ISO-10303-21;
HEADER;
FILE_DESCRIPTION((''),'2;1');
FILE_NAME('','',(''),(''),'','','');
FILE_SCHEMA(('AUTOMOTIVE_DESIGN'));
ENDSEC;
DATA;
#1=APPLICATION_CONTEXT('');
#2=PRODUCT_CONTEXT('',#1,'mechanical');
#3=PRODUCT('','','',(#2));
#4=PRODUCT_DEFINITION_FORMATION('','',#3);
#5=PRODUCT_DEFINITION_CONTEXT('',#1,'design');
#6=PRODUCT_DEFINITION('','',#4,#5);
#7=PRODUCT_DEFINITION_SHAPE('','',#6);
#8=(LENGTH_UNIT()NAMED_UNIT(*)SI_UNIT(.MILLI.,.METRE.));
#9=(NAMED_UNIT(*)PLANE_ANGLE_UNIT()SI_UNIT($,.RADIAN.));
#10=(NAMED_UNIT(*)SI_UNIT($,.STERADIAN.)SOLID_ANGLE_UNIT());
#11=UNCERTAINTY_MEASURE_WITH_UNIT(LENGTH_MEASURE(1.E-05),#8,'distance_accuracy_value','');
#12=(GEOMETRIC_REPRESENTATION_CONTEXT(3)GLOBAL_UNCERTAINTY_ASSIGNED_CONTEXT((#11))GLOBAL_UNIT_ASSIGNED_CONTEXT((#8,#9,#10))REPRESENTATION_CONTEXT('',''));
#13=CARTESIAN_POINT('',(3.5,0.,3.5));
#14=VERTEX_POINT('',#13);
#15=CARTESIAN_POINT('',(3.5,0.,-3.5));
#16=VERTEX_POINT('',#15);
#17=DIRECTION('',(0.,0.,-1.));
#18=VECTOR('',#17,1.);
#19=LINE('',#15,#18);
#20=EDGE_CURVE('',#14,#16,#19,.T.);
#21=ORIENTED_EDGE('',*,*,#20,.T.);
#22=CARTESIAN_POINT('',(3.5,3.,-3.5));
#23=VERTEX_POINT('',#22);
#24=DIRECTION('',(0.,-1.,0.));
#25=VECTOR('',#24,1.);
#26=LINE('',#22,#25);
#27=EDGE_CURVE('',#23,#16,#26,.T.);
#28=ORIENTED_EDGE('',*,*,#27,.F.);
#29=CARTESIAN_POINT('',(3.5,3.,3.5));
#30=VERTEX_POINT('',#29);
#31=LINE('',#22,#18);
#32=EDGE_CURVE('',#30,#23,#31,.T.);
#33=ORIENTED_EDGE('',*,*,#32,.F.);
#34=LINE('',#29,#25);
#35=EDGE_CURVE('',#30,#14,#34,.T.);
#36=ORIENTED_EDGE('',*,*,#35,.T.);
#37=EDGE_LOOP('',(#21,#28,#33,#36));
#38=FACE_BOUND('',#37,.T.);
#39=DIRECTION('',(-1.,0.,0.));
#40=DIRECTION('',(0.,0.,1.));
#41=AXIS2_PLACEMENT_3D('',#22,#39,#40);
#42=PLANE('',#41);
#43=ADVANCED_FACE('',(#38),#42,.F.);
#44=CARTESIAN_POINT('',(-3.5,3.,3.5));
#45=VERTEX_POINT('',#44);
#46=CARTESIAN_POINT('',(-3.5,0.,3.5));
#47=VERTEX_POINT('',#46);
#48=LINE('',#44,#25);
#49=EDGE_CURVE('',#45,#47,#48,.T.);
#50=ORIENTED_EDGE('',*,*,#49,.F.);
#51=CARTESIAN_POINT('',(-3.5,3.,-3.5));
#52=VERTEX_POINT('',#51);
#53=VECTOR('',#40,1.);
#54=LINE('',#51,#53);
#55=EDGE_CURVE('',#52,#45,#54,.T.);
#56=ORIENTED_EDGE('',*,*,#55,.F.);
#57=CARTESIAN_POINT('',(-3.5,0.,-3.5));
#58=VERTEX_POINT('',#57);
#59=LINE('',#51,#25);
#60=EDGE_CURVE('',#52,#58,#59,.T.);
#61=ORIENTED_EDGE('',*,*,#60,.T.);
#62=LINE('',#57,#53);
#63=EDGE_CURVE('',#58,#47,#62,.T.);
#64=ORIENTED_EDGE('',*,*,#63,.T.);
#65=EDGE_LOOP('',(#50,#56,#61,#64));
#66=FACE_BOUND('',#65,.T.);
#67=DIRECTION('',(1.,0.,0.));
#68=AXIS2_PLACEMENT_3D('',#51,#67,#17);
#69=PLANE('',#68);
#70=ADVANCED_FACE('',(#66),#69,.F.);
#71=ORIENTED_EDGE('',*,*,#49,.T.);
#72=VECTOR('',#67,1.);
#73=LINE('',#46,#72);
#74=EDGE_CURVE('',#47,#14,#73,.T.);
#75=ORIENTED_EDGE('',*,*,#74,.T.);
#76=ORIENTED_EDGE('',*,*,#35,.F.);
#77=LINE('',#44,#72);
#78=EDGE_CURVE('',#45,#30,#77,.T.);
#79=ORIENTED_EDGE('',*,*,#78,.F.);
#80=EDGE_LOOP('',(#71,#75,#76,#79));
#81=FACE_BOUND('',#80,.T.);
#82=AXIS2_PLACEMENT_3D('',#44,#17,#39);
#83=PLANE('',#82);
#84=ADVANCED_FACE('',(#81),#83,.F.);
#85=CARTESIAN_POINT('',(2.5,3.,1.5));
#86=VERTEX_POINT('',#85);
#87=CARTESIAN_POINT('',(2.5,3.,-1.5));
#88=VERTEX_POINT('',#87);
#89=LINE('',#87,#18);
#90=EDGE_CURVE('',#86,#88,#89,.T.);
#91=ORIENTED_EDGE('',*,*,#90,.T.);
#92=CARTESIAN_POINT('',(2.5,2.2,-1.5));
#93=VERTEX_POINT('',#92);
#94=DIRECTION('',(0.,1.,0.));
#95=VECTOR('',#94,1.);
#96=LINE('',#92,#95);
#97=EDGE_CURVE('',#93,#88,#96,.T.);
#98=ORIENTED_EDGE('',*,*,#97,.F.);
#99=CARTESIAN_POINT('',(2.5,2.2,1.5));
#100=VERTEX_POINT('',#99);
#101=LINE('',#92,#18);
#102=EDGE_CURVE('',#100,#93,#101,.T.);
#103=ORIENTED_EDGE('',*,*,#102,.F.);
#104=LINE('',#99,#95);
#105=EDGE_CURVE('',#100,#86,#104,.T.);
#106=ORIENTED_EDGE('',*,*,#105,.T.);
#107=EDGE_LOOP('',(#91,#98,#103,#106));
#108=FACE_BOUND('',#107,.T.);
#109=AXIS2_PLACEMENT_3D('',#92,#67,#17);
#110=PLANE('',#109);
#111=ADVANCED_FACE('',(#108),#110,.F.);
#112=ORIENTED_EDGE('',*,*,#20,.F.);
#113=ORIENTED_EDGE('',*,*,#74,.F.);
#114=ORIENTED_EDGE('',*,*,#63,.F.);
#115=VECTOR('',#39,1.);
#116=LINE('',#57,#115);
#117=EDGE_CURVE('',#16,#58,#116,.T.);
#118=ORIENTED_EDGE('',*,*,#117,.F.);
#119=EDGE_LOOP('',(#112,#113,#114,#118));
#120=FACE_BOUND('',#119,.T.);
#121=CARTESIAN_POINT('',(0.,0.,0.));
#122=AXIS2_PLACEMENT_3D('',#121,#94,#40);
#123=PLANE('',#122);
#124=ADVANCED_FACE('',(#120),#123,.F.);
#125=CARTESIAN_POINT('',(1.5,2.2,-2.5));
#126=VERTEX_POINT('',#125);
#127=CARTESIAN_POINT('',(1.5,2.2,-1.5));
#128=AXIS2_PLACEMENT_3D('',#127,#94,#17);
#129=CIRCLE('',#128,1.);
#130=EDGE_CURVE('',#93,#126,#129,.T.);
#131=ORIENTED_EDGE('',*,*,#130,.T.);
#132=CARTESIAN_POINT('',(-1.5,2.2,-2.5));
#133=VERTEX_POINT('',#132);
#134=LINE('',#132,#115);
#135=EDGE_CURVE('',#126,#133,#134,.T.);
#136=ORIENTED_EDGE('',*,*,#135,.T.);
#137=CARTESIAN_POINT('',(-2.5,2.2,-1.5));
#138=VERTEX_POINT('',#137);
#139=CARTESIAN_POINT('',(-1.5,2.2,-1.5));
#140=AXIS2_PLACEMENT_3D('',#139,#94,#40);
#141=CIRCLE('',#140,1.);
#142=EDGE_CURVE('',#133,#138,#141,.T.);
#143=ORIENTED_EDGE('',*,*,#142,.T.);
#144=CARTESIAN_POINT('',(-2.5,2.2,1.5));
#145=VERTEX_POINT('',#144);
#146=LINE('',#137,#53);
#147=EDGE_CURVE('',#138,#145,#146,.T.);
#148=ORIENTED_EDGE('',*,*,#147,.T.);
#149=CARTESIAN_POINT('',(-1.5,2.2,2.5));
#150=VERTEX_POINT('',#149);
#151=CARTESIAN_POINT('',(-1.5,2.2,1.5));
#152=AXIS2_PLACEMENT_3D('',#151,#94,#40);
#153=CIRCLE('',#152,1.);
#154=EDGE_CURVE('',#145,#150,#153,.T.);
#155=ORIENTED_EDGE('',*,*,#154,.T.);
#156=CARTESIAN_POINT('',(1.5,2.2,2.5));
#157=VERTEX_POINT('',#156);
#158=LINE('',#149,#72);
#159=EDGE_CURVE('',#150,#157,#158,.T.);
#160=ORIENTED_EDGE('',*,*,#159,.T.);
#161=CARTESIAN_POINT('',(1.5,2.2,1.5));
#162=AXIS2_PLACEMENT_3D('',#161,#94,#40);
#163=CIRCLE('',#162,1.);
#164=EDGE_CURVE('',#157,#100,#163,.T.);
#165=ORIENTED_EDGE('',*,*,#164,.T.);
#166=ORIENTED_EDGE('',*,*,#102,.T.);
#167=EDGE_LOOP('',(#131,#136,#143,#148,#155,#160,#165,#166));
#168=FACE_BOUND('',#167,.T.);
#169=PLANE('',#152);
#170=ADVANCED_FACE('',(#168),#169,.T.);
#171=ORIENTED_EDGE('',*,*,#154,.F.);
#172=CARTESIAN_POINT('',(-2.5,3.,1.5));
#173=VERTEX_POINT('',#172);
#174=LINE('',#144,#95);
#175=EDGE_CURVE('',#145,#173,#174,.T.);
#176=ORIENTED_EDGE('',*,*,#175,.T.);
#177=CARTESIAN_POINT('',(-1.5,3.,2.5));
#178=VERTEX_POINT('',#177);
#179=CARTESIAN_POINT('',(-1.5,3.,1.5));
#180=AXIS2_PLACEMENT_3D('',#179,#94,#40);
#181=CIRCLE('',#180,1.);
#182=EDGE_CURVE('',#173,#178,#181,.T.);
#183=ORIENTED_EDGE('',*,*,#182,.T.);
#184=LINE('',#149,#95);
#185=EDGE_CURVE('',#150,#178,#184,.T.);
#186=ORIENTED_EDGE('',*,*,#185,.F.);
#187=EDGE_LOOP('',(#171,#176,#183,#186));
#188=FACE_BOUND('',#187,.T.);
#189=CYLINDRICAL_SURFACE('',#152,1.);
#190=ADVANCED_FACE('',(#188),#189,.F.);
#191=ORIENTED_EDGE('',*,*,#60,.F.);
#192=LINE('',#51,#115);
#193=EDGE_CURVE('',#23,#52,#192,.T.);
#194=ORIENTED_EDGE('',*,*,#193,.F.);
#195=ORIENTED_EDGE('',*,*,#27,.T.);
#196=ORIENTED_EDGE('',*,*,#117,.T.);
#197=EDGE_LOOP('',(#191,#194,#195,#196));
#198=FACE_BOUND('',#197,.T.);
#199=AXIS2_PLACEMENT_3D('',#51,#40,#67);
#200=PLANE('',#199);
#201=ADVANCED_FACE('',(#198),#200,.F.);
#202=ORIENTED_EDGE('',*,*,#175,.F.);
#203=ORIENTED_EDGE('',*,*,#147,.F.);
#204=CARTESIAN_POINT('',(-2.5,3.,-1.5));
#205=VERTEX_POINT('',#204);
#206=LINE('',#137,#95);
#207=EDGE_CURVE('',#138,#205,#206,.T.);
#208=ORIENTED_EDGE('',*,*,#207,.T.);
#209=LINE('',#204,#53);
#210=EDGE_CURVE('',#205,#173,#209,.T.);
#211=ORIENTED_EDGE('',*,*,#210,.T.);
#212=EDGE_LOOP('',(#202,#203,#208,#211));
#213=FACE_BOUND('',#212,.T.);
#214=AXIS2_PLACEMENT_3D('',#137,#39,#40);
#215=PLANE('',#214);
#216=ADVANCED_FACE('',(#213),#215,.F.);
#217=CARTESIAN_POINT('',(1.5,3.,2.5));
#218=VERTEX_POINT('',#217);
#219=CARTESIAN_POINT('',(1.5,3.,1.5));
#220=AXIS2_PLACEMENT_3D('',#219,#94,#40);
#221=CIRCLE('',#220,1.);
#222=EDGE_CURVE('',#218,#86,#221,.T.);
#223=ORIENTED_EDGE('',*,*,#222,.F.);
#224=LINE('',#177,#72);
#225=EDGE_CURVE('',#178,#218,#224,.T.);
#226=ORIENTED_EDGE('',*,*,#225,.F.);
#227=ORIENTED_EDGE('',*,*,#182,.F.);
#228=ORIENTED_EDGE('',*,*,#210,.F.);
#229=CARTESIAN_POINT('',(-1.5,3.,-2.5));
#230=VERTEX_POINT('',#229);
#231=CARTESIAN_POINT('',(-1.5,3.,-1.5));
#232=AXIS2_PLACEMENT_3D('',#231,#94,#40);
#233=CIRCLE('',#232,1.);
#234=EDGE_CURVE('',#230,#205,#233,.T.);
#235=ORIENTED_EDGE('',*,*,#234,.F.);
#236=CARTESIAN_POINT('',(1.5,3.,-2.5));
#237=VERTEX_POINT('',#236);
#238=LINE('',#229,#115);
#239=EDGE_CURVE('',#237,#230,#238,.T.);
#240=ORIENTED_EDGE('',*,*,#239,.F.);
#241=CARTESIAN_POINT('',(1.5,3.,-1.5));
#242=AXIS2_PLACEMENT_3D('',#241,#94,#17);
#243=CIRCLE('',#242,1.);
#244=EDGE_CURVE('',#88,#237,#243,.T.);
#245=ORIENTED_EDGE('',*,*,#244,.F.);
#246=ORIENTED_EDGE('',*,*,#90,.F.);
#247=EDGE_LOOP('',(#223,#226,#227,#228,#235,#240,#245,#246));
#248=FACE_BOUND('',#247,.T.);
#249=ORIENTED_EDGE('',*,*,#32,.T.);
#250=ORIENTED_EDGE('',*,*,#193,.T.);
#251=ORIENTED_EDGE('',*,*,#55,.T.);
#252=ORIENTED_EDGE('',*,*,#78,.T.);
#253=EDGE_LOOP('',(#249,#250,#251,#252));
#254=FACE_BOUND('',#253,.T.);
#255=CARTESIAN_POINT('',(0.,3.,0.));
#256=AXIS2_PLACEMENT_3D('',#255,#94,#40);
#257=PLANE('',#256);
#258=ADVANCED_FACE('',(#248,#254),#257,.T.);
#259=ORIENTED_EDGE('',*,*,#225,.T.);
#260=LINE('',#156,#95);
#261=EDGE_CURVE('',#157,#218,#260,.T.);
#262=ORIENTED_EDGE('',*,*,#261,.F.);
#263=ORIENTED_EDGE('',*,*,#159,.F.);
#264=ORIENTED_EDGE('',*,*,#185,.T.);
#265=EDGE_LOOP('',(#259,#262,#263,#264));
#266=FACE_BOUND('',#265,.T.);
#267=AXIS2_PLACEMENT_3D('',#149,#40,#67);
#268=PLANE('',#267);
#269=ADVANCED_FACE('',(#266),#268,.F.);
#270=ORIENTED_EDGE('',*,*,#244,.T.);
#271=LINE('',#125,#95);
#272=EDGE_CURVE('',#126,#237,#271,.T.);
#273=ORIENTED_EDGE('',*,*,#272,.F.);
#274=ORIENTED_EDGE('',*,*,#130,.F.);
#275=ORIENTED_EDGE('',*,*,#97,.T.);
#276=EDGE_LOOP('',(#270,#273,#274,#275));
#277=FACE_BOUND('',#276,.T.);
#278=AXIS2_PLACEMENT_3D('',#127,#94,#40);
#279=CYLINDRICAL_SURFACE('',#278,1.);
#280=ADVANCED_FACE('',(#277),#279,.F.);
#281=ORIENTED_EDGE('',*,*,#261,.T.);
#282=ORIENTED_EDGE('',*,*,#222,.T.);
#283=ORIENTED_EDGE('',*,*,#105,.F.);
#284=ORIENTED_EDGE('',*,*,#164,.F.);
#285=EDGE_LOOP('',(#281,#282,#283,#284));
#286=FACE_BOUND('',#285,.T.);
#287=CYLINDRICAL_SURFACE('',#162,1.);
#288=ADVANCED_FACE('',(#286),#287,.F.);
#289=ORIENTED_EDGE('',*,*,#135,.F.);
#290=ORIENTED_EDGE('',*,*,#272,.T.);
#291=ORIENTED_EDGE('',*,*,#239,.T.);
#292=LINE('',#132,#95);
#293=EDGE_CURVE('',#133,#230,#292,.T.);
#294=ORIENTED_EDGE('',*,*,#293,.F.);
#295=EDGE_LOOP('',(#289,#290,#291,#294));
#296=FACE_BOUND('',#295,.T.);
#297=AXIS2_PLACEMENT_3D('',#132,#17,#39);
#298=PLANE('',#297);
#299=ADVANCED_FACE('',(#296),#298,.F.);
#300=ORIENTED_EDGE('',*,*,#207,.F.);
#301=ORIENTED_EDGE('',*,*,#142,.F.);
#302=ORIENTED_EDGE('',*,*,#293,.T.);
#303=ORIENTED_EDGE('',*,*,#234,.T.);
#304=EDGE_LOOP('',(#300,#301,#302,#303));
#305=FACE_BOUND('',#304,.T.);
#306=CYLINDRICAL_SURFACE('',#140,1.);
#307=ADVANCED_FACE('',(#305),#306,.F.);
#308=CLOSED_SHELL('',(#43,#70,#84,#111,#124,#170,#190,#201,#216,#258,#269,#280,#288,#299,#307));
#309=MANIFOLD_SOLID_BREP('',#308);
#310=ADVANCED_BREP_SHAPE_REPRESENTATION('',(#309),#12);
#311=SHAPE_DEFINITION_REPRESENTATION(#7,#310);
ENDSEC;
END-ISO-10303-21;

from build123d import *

# Parameters (mm, degrees)
SKETCH1_W           = 7
SKETCH1_H           = 7
BOSS_EXTRUDE1_DEPTH = 3
CUT_EXTRUDE1_DEPTH  = 0.8


with BuildPart() as part:
    # Sketch1 → Boss-Extrude1 (new body)
    with BuildSketch(Plane(origin=(0, 0, 0), x_dir=(1, 0, 0), z_dir=(0, 1, 0))):
        Rectangle(SKETCH1_W, SKETCH1_H)
    extrude(amount=BOSS_EXTRUDE1_DEPTH)

    # Sketch2 → Cut-Extrude1 (cut)
    with BuildSketch(Plane(origin=(0, 3, 0), x_dir=(1, 0, 0), z_dir=(0, 1, 0))):
        with BuildLine():
            Line((-1.5, 2.5), (1.5, 2.5))
            ThreePointArc((1.5, 2.5), (2.207106781, 2.207106781), (2.5, 1.5))
            Line((2.5, 1.5), (2.5, -1.5))
            ThreePointArc((2.5, -1.5), (2.207106781, -2.207106781), (1.5, -2.5))
            Line((1.5, -2.5), (-1.5, -2.5))
            ThreePointArc((-1.5, -2.5), (-2.207106781, -2.207106781), (-2.5, -1.5))
            Line((-2.5, -1.5), (-2.5, 1.5))
            ThreePointArc((-2.5, 1.5), (-2.207106781, 2.207106781), (-1.5, 2.5))
        make_face()
    extrude(amount=-CUT_EXTRUDE1_DEPTH, mode=Mode.SUBTRACT)


solid = part.part
